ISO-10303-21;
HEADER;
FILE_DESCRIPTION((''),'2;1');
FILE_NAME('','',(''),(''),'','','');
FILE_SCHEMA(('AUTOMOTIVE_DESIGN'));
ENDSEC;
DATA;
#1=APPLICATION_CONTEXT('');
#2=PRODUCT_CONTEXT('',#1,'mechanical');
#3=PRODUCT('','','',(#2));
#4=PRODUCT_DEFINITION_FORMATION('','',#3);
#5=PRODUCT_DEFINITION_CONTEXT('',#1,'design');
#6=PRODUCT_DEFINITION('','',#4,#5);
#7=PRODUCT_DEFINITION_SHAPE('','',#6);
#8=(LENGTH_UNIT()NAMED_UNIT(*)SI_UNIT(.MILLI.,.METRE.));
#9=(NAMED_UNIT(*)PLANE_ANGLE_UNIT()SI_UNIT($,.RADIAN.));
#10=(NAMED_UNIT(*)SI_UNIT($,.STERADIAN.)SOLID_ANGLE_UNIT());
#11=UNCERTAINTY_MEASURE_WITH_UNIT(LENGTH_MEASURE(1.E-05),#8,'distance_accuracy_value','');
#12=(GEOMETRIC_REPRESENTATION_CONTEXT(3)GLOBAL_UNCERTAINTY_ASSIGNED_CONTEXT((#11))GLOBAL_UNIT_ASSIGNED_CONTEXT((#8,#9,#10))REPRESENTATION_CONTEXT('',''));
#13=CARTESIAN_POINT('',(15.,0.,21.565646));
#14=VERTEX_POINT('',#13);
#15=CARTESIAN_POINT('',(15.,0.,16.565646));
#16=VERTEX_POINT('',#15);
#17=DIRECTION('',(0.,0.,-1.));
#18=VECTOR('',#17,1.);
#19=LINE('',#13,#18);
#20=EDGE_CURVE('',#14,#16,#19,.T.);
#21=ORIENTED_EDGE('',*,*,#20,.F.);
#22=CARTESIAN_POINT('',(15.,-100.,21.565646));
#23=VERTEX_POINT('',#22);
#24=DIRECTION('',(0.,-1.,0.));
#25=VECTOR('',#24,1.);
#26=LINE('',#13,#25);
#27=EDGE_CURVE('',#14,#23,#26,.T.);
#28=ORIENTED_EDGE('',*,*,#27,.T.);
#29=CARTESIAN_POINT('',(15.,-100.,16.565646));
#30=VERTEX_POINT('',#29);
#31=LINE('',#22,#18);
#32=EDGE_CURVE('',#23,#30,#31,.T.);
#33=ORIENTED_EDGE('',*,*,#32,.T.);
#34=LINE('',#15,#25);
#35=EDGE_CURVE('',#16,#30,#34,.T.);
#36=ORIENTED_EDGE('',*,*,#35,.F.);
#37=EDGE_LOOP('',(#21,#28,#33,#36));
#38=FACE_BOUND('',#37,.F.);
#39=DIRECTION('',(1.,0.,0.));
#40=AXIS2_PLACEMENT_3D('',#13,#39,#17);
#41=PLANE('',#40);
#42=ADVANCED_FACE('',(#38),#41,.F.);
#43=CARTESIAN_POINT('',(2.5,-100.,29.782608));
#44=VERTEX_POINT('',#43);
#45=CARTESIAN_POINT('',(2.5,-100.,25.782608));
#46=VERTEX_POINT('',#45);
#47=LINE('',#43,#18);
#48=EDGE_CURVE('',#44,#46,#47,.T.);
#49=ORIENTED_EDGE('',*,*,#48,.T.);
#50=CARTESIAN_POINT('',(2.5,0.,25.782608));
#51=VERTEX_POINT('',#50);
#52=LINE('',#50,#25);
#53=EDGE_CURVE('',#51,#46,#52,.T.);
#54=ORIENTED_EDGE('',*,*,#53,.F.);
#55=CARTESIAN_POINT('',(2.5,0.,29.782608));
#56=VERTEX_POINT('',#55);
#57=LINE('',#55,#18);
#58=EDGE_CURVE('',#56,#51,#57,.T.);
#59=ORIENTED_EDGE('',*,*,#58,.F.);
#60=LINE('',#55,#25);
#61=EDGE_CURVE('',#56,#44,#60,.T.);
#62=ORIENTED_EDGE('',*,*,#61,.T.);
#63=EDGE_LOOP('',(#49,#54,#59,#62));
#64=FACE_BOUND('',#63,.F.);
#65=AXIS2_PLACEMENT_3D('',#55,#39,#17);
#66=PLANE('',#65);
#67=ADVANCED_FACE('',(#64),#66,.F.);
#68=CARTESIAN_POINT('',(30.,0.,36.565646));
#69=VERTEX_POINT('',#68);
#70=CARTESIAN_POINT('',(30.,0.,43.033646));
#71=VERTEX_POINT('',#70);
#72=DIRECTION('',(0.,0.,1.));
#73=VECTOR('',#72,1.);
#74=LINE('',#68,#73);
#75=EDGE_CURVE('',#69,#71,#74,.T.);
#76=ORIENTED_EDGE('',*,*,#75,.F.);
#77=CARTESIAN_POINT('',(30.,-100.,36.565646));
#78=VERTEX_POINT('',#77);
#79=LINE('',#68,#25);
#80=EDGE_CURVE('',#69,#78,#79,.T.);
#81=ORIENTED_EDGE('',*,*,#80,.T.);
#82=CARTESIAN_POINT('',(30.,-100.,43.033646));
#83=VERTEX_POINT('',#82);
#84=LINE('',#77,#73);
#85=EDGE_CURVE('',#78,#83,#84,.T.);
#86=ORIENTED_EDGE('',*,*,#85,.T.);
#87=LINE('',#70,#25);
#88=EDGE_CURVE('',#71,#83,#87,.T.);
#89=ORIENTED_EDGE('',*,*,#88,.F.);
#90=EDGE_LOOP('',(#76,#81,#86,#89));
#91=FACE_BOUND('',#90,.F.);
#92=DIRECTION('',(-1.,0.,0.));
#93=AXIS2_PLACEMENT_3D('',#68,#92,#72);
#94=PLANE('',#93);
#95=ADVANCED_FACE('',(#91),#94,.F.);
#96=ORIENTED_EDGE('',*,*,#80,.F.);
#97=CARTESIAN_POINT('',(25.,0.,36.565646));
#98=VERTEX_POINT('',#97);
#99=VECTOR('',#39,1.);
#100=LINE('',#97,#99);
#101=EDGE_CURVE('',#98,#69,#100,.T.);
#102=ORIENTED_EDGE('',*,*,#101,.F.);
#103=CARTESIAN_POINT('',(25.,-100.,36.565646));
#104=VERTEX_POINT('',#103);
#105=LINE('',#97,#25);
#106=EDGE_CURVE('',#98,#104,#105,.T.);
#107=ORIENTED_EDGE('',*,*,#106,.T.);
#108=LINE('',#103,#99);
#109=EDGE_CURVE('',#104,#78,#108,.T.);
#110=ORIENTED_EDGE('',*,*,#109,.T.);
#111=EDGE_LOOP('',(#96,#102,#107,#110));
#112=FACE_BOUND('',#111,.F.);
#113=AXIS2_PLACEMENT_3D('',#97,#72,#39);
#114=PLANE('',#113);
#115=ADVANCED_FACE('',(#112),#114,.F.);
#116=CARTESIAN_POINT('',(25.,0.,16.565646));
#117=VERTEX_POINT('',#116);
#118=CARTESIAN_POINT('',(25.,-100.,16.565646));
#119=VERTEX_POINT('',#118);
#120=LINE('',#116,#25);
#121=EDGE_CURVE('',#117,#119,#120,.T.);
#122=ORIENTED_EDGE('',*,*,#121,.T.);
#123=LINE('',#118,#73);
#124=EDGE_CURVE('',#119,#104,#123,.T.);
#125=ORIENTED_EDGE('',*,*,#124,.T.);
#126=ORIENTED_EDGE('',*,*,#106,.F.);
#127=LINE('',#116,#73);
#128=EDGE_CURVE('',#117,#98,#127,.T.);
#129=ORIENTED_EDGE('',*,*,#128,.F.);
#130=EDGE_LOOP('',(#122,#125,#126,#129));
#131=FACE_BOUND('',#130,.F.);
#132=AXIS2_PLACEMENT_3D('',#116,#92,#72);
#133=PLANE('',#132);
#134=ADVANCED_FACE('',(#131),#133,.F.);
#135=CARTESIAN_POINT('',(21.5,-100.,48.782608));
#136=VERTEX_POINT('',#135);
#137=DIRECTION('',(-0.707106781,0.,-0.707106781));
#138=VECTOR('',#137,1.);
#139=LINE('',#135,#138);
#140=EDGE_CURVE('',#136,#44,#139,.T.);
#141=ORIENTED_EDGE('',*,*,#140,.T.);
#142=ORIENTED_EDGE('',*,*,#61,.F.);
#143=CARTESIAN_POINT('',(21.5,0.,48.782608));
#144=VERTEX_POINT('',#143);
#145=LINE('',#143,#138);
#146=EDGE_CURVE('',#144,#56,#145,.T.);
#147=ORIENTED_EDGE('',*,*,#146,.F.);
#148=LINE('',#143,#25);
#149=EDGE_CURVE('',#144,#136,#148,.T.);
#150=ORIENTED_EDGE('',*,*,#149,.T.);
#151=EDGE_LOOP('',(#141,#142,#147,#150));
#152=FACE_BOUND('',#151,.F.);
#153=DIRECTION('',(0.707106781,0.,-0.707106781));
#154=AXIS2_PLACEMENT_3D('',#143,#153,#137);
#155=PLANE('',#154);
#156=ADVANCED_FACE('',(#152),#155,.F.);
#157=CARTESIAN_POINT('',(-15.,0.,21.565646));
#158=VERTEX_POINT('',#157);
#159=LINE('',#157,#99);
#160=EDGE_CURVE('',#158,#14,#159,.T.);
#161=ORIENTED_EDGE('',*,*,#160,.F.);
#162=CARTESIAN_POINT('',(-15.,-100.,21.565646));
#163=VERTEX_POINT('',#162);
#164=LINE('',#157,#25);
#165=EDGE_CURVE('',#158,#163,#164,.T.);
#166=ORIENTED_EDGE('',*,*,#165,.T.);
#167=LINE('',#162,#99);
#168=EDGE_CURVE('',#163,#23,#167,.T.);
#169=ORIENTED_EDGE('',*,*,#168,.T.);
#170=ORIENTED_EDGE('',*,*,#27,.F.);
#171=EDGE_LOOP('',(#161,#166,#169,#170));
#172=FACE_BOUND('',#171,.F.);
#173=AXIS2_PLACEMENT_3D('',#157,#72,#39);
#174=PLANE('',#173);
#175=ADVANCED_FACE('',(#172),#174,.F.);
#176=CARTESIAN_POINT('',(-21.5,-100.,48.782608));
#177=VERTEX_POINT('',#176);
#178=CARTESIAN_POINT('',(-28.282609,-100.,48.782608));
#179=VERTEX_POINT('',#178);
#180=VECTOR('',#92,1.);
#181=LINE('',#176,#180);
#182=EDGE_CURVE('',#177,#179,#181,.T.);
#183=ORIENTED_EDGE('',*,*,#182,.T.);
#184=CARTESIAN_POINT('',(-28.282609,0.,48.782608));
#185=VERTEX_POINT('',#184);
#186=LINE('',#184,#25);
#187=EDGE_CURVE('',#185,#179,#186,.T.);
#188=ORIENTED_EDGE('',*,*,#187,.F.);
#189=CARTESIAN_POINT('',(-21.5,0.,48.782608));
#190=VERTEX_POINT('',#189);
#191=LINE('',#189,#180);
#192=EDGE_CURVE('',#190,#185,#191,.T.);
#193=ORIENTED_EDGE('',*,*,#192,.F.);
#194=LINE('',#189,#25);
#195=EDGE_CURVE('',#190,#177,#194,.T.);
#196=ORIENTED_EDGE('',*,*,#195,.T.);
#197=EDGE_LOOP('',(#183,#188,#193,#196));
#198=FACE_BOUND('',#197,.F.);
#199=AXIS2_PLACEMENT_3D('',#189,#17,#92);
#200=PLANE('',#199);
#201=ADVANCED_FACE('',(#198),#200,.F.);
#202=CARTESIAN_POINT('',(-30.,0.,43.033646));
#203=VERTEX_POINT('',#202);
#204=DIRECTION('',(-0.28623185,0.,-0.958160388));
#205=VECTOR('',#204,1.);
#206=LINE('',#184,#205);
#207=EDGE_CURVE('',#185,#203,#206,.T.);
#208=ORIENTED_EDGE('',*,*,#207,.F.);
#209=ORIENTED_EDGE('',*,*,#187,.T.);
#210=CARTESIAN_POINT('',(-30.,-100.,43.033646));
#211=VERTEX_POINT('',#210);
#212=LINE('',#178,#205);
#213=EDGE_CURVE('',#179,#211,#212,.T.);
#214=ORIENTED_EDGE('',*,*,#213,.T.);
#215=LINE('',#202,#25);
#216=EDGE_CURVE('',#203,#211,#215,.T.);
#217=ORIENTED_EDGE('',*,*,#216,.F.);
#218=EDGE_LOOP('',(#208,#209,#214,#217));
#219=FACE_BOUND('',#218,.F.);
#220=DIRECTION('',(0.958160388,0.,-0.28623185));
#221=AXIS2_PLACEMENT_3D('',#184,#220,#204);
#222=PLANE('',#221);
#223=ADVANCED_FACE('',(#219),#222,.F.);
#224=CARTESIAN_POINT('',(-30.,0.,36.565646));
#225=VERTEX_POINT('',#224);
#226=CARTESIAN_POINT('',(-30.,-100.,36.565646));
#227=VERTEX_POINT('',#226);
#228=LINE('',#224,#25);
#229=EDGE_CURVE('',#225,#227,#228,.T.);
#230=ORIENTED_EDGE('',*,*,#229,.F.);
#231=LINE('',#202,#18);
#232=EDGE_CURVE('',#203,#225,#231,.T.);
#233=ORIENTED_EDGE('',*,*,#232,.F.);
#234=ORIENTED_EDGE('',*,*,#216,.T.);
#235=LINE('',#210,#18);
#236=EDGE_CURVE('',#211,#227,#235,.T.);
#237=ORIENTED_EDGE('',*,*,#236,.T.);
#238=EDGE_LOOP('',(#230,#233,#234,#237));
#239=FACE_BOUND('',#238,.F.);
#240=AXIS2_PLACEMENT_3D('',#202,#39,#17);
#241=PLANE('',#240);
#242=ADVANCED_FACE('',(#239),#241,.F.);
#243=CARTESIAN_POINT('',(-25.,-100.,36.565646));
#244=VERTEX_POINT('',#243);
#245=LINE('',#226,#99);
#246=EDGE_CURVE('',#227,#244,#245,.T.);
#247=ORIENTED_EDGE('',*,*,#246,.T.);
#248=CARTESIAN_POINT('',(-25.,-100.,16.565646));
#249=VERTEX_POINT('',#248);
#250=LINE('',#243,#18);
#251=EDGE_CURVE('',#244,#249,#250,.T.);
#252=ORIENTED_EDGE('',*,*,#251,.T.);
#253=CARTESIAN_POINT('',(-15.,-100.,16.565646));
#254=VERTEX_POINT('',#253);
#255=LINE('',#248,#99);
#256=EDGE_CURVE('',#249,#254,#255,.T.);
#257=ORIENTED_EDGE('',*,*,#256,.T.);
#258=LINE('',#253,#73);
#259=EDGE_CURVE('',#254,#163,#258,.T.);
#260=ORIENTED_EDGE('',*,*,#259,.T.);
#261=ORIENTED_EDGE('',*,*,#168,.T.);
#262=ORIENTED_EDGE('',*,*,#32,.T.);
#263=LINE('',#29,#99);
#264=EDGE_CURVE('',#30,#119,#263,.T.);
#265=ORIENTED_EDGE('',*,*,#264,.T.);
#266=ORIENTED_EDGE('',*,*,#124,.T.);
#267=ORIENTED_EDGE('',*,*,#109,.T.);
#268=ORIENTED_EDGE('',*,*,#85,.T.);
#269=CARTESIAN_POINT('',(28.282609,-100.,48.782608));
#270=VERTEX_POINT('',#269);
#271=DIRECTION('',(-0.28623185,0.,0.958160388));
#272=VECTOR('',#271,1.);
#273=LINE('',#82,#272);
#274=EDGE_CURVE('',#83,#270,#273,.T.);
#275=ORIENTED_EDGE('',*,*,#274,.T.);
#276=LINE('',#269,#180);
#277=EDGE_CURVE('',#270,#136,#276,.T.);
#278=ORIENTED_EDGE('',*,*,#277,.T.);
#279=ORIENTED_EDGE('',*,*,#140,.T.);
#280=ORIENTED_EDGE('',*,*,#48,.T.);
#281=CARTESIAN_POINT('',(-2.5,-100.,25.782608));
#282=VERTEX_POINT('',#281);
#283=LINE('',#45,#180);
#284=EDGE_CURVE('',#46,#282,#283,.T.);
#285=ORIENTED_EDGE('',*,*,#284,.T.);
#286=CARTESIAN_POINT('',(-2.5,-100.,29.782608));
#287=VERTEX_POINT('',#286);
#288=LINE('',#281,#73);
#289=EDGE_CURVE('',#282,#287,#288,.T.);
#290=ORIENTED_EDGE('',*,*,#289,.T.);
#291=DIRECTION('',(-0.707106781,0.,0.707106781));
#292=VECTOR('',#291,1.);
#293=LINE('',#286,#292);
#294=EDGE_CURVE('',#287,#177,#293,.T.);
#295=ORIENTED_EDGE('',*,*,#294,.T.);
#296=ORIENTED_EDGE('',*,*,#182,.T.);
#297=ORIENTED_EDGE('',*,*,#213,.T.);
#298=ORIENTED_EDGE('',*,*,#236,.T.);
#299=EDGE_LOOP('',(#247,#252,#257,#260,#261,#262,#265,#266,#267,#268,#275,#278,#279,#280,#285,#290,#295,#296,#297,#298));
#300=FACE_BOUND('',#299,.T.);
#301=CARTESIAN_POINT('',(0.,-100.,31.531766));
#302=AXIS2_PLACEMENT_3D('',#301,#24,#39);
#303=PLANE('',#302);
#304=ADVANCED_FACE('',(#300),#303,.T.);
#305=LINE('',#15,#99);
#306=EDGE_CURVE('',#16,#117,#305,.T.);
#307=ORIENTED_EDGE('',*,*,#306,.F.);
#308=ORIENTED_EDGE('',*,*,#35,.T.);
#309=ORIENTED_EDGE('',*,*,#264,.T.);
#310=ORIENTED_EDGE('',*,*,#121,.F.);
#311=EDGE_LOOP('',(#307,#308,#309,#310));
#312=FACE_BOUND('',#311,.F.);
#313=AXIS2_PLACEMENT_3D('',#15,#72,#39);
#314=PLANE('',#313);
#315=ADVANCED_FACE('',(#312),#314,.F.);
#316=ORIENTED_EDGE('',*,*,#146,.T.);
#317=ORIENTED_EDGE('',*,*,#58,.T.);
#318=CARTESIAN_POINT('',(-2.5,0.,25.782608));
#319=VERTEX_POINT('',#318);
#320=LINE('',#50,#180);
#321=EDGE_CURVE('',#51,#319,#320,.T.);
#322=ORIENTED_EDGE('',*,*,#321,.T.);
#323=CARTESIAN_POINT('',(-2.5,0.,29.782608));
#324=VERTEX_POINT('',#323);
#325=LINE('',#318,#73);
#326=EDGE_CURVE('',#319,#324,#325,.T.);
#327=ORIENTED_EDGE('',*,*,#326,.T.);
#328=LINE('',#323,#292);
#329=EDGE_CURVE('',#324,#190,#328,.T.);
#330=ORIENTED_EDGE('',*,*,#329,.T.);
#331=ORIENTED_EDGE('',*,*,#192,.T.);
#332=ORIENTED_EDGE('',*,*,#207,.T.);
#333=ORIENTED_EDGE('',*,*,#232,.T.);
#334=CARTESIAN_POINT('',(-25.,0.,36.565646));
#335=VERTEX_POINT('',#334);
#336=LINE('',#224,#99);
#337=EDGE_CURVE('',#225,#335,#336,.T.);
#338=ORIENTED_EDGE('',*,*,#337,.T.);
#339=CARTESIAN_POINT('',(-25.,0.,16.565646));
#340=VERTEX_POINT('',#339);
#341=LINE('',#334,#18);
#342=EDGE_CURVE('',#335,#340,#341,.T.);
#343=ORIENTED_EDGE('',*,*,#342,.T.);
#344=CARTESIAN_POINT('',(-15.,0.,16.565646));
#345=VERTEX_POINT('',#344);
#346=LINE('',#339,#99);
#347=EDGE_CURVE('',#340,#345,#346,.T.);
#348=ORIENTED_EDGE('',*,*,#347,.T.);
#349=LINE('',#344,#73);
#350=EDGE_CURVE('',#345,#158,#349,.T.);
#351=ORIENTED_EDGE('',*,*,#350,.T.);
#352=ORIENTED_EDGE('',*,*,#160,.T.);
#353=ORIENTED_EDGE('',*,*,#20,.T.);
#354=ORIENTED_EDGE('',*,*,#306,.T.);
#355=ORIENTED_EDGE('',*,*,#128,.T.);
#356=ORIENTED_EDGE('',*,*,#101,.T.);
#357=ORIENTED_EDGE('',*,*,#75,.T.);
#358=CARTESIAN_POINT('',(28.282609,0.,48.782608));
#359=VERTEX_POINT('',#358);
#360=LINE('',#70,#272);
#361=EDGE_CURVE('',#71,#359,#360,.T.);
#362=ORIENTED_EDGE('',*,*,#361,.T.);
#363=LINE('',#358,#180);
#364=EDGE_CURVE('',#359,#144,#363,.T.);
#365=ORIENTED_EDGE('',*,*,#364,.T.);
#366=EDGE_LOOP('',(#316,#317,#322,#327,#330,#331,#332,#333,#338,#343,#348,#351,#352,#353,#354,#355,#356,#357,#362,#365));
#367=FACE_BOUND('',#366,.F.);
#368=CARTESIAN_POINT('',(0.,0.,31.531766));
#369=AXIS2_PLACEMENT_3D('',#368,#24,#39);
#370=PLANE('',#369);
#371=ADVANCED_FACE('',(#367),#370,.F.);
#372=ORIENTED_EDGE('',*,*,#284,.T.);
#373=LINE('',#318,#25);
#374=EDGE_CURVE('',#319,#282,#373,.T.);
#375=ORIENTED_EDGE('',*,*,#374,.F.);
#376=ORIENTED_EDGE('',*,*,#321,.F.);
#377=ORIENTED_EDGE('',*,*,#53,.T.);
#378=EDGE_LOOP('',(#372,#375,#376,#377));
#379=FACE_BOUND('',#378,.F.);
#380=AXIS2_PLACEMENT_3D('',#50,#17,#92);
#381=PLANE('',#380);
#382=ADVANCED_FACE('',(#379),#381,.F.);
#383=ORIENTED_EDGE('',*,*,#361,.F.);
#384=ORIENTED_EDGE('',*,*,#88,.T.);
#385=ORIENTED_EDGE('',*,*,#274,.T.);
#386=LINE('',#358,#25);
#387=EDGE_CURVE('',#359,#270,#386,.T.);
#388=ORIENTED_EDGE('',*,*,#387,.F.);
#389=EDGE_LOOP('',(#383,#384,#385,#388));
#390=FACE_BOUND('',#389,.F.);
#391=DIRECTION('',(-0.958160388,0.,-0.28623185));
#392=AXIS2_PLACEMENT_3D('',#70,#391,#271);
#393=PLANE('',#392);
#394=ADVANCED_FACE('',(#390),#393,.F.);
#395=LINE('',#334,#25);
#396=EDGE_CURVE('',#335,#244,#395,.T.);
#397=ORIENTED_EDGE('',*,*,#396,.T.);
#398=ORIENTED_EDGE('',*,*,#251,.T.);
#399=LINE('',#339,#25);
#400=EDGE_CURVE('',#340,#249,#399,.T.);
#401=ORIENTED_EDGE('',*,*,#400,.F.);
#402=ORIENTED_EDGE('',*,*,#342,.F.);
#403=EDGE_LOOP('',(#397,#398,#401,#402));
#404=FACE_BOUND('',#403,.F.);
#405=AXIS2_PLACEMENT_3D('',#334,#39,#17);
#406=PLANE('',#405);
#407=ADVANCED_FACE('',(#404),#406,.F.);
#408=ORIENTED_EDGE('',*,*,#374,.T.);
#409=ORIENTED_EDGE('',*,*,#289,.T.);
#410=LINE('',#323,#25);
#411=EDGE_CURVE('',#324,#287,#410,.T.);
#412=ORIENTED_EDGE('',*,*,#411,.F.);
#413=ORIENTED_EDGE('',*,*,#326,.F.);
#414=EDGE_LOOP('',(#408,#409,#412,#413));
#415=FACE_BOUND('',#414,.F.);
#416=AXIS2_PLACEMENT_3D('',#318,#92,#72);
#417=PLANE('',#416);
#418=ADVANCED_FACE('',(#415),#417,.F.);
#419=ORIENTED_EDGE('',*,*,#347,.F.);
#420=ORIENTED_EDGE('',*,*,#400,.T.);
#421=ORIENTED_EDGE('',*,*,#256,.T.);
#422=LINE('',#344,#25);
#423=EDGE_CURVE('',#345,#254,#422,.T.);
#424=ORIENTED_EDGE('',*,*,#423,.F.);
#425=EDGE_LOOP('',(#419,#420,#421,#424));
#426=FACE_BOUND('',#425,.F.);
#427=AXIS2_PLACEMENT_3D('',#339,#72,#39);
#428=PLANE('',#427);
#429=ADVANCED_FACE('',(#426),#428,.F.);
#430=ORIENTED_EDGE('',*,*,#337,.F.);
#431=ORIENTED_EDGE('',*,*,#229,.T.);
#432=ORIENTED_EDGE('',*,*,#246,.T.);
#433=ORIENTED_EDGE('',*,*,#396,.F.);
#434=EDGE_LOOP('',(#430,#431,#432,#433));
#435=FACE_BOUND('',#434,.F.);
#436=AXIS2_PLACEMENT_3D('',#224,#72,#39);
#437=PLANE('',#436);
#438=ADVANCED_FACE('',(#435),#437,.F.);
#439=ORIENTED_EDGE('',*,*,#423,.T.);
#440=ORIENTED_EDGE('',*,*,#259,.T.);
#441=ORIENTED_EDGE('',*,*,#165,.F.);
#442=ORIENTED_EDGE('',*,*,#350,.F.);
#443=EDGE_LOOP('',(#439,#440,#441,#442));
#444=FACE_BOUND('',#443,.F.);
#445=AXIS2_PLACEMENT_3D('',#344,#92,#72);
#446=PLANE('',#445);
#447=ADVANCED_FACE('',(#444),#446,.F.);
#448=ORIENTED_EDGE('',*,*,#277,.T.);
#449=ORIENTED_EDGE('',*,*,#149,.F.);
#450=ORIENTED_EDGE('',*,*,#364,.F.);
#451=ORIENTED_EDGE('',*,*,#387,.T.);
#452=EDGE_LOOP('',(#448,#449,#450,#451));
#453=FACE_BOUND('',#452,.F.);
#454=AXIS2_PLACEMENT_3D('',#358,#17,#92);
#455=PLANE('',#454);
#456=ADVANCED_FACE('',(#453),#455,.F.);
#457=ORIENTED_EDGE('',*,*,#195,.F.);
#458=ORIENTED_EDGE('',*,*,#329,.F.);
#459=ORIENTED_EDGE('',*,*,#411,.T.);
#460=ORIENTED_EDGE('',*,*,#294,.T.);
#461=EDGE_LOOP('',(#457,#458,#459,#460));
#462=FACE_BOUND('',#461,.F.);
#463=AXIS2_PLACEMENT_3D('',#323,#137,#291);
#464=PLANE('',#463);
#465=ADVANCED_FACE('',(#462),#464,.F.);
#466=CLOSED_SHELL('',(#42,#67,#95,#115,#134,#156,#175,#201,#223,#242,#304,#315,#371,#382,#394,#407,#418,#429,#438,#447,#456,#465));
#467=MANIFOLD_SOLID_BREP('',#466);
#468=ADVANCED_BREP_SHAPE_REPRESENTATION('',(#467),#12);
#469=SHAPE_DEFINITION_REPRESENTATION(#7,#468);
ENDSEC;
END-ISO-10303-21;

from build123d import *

# Parameters (mm, degrees)
F1_DEPTH = 100


with BuildPart() as f1:
    # F0 (on Front) → F1 (new body)
    with BuildSketch(Plane.XZ):
        Polygon((2.5, 25.782608), (0, 25.782608), (-2.5, 25.782608), (-2.5, 29.782608), (-21.5, 48.782608), (-28.282609, 48.782608), (-30, 43.033646), (-30, 36.565646), (-25, 36.565646), (-25, 16.565646), (-15, 16.565646), (-15, 21.565646), (0, 21.565646), (15, 21.565646), (15, 16.565646), (25, 16.565646), (25, 36.565646), (30, 36.565646), (30, 43.033646), (28.282609, 48.782608), (21.5, 48.782608), (2.5, 29.782608), align=None)
    extrude(amount=F1_DEPTH)


solid = f1.part
